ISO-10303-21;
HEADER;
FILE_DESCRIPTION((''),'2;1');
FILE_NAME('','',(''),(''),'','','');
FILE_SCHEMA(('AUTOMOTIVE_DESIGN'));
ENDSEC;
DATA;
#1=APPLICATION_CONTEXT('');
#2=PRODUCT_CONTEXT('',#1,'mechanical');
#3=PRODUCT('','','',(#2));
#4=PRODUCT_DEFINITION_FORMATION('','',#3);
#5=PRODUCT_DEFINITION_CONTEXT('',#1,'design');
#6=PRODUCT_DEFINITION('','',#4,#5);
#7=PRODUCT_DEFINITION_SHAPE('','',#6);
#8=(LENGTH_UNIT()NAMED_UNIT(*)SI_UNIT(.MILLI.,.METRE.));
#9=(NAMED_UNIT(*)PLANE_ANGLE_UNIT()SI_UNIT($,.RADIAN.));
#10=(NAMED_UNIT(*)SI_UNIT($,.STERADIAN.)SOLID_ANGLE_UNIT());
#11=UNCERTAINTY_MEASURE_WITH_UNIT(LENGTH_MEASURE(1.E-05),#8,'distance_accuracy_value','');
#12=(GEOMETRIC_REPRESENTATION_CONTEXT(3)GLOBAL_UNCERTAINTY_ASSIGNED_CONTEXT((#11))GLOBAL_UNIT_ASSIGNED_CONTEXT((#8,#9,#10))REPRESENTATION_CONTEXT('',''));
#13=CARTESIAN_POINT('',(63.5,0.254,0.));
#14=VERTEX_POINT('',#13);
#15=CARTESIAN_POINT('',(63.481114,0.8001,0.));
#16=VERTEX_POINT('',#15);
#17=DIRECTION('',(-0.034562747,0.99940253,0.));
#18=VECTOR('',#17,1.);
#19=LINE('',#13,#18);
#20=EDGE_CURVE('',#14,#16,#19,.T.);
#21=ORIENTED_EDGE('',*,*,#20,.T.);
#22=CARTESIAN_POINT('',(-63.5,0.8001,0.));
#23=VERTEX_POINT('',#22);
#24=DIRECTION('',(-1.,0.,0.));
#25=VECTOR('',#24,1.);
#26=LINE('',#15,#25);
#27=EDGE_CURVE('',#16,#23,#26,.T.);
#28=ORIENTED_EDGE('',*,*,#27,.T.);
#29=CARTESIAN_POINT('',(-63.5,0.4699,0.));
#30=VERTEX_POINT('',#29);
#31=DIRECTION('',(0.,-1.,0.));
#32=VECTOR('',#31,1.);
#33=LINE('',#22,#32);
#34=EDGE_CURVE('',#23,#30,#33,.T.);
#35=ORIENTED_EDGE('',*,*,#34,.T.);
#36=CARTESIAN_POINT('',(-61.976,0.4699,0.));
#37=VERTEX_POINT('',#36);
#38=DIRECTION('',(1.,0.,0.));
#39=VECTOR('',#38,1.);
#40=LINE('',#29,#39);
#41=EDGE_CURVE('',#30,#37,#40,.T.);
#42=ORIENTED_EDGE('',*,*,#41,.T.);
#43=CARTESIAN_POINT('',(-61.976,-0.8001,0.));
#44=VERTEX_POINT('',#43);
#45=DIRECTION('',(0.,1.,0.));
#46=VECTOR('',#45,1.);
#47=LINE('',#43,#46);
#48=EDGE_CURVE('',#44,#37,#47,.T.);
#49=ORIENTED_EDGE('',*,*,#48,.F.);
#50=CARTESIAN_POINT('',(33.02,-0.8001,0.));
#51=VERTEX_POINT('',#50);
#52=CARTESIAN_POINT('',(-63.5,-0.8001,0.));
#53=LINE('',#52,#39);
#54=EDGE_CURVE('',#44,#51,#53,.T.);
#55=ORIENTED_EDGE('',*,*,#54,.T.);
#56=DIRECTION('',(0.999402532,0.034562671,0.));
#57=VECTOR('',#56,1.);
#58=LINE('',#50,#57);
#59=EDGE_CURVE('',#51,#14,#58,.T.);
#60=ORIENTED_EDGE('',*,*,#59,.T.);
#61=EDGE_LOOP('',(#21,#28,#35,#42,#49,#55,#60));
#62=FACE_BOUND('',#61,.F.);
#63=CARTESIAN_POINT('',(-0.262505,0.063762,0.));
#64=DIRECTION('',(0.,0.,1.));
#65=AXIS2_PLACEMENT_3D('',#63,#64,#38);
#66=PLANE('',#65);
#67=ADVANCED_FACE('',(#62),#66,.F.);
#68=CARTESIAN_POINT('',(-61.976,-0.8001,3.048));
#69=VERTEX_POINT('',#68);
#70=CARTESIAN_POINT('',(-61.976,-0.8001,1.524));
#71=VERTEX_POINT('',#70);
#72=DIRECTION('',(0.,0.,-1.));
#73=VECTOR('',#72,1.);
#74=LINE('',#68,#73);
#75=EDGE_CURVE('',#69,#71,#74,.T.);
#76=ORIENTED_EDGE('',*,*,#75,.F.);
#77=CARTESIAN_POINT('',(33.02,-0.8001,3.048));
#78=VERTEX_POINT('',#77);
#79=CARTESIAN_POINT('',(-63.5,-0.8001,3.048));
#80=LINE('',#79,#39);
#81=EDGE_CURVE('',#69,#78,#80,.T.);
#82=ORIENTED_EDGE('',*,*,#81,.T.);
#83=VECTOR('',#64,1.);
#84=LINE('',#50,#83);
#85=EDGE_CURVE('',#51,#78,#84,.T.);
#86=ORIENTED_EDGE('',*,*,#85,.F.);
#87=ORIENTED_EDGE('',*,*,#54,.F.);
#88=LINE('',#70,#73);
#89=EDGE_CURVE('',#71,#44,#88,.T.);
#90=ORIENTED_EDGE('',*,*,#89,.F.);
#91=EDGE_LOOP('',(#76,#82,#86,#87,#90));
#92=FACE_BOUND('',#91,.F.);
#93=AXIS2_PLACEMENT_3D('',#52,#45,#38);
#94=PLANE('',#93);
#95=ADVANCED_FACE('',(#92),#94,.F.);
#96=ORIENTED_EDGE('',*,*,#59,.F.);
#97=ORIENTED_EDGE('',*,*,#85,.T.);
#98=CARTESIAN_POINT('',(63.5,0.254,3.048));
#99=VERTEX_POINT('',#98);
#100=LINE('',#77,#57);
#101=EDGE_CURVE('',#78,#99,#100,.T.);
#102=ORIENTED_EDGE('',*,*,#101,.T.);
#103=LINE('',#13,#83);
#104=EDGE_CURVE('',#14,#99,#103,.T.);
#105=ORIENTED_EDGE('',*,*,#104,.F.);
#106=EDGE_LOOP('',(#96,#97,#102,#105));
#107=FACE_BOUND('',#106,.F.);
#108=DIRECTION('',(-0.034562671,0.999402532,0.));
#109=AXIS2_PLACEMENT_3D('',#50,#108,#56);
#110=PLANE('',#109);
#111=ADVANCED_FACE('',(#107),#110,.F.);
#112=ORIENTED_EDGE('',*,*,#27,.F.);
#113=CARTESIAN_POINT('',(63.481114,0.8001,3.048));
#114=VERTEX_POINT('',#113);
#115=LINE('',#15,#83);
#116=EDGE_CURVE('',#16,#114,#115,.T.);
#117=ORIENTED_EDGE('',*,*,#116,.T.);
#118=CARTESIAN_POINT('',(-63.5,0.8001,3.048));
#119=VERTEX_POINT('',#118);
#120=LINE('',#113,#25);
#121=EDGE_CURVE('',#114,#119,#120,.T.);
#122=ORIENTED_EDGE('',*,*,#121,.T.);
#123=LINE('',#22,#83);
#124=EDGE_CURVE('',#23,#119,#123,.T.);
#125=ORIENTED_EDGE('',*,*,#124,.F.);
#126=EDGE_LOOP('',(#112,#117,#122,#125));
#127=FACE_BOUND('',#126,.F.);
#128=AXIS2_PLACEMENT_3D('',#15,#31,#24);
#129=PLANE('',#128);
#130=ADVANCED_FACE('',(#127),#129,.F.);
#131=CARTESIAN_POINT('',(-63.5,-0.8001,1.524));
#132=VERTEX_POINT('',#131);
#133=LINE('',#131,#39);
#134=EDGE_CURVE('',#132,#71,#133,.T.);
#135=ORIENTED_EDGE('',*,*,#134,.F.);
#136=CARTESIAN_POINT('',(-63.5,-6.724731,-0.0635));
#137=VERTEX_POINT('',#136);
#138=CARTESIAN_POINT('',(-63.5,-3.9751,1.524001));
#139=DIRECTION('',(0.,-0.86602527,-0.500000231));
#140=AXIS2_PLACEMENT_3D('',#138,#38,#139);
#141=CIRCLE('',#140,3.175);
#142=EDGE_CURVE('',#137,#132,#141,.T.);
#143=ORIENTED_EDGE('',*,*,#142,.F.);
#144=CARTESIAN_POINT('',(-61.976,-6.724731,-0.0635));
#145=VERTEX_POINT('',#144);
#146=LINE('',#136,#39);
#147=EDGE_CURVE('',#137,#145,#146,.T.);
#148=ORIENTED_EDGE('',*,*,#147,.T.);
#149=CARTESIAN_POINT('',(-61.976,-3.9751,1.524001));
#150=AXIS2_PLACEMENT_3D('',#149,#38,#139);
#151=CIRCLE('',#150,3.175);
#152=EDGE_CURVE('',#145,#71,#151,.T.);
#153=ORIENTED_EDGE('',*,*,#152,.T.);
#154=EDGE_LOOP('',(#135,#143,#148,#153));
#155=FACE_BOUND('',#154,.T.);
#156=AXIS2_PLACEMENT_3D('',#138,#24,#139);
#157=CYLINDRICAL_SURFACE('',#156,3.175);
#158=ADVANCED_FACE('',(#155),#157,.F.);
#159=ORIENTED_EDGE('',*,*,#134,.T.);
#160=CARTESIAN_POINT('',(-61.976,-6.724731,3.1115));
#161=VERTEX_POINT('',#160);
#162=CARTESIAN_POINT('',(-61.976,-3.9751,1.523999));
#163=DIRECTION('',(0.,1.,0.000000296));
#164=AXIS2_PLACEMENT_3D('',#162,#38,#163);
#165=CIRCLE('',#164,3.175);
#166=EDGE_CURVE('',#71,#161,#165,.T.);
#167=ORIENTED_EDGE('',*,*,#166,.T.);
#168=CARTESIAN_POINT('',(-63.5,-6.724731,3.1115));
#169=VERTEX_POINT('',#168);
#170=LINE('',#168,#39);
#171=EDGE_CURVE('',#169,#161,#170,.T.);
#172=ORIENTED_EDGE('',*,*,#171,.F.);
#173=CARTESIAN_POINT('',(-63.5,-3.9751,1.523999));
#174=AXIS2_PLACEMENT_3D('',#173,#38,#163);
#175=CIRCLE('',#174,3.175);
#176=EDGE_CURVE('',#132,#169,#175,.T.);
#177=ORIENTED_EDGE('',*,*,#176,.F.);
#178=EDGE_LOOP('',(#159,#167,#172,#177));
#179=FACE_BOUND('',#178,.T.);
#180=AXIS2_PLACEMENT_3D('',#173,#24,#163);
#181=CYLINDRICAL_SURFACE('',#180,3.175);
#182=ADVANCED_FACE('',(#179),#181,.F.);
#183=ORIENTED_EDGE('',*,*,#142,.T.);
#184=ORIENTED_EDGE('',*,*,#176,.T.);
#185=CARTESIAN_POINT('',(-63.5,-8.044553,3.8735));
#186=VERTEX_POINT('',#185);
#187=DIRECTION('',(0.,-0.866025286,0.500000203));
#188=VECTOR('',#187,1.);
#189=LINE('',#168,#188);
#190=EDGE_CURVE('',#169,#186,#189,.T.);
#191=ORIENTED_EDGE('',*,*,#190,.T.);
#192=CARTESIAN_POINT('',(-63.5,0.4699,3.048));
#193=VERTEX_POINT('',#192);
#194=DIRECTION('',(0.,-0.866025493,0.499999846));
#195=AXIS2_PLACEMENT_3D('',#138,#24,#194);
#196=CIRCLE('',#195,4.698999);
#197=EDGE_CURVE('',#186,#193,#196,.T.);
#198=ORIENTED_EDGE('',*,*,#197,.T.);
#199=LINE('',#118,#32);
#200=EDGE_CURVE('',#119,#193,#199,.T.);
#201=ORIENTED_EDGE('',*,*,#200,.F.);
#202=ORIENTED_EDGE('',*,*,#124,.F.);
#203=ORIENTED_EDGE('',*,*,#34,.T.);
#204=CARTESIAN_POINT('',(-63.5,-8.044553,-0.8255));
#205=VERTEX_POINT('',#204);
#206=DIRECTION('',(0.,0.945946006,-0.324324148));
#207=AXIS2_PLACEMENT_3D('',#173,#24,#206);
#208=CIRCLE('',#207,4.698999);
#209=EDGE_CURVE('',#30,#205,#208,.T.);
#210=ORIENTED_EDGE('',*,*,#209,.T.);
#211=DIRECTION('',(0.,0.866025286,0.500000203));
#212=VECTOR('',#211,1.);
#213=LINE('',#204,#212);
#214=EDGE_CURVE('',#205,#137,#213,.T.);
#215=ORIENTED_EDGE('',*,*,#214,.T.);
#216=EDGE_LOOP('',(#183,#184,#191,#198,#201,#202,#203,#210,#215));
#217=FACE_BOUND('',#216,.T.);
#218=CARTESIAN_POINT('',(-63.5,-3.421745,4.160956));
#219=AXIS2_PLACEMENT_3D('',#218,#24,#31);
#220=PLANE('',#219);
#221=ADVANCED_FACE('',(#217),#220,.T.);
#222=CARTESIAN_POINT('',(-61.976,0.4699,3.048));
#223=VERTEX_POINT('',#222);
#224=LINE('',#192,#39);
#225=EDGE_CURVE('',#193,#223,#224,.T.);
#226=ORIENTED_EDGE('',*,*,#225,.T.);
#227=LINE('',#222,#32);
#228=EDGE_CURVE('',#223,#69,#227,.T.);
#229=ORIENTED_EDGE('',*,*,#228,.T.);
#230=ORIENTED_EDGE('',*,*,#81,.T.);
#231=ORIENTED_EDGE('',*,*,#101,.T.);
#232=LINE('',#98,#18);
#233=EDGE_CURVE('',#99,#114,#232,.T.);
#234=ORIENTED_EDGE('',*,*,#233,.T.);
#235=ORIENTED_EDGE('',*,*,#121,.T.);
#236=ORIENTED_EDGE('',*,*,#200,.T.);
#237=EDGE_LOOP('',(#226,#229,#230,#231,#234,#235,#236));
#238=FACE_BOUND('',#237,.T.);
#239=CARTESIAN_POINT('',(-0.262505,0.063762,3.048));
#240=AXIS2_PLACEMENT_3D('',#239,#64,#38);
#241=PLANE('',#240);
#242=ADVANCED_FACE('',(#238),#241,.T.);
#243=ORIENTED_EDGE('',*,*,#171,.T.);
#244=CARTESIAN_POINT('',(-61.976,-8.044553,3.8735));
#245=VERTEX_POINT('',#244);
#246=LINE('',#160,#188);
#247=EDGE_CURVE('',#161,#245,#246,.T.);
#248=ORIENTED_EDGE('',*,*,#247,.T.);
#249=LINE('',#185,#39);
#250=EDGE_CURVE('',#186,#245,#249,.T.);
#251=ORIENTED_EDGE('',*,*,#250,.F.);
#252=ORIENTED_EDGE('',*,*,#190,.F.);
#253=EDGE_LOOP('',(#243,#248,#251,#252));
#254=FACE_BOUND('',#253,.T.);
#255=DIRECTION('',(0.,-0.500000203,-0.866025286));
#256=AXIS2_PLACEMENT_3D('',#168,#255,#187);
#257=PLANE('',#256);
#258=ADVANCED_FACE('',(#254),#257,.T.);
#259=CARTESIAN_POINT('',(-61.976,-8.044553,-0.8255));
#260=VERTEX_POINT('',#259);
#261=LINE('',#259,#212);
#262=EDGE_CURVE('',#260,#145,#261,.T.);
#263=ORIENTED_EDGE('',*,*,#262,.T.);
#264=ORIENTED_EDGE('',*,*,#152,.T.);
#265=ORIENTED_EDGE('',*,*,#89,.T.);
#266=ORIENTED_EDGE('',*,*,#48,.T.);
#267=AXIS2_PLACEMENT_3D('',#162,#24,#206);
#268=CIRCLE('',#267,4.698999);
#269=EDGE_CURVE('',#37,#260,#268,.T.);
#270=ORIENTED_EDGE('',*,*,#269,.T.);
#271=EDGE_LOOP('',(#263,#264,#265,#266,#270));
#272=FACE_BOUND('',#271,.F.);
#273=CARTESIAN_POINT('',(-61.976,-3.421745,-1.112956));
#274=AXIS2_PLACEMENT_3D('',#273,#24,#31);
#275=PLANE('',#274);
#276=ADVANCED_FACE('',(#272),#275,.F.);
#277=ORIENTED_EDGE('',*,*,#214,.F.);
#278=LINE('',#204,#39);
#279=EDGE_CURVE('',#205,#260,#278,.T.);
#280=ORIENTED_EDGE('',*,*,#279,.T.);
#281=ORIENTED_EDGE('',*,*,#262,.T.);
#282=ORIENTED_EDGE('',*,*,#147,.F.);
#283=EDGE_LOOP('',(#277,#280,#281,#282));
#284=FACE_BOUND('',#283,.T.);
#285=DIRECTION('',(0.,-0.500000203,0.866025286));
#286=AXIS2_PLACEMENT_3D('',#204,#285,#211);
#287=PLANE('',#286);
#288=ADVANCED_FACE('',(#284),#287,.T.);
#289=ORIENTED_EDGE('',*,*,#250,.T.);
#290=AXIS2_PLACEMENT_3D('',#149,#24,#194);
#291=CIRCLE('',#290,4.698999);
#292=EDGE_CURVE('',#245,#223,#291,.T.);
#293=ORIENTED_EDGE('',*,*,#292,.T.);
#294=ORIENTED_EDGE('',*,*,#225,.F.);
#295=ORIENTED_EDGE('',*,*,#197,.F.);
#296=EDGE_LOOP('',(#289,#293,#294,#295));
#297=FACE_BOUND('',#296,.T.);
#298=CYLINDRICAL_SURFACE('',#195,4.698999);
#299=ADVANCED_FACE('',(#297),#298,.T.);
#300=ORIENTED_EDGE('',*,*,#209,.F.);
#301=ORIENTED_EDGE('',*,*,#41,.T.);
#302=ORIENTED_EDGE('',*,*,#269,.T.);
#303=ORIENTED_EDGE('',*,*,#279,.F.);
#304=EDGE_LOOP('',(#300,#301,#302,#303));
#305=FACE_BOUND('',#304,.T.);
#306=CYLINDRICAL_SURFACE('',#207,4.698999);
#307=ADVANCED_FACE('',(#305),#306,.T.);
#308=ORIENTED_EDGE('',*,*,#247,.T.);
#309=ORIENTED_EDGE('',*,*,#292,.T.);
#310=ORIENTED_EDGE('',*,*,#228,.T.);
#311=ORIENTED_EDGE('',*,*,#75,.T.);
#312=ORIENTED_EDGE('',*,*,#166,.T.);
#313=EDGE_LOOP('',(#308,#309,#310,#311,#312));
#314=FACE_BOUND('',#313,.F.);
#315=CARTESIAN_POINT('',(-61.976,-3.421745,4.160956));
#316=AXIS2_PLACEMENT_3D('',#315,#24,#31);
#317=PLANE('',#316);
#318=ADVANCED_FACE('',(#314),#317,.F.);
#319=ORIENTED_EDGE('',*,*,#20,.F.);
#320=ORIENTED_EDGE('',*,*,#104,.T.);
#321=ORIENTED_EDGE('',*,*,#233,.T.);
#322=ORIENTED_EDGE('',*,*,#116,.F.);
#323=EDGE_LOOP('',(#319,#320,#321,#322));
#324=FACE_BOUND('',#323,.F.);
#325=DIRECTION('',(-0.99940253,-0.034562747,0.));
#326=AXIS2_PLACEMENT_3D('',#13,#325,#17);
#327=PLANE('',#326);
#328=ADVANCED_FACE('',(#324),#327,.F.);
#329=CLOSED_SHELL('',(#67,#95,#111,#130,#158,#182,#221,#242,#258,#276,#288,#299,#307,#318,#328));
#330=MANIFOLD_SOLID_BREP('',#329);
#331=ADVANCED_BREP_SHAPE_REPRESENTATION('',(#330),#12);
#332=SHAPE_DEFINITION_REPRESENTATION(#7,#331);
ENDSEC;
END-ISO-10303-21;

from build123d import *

# Parameters (mm, degrees)
F1_DEPTH = 3.048
F3_DEPTH = 1.524


with BuildPart() as f1:
    # F0 (on Top) → F1 (new body)
    with BuildSketch(Plane.XY):
        Polygon((63.481114, 0.8001), (-63.5, 0.8001), (-63.5, -0.8001), (33.02, -0.8001), (63.5, 0.254), align=None)
    extrude(amount=F1_DEPTH)

    # F2 (on face) → F3 (join)
    with BuildSketch(Plane(origin=(-63.5, 0, 0), x_dir=(0, -1, 0), z_dir=(-1, 0, 0))):
        with BuildLine():
            ThreePointArc((0.8001, 1.524), (3.15335, 4.590814), (6.724731, 3.1115))
            Line((6.724731, 3.1115), (8.044553, 3.8735))
            ThreePointArc((8.044553, 3.8735), (3.521645, 6.20107), (-0.4699, 3.048))
            Line((-0.4699, 3.048), (0.8001, 3.048))
            Line((0.8001, 3.048), (0.8001, 1.524))
        make_face()
        with BuildLine():
            ThreePointArc((6.724731, -0.0635), (3.15335, -1.542814), (0.8001, 1.524))
            Line((0.8001, 1.524), (0.8001, 0))
            Line((0.8001, 0), (-0.4699, 0))
            ThreePointArc((-0.4699, 0), (3.521645, -3.15307), (8.044553, -0.8255))
            Line((8.044553, -0.8255), (6.724731, -0.0635))
        make_face()
    extrude(amount=-F3_DEPTH)


solid = f1.part
